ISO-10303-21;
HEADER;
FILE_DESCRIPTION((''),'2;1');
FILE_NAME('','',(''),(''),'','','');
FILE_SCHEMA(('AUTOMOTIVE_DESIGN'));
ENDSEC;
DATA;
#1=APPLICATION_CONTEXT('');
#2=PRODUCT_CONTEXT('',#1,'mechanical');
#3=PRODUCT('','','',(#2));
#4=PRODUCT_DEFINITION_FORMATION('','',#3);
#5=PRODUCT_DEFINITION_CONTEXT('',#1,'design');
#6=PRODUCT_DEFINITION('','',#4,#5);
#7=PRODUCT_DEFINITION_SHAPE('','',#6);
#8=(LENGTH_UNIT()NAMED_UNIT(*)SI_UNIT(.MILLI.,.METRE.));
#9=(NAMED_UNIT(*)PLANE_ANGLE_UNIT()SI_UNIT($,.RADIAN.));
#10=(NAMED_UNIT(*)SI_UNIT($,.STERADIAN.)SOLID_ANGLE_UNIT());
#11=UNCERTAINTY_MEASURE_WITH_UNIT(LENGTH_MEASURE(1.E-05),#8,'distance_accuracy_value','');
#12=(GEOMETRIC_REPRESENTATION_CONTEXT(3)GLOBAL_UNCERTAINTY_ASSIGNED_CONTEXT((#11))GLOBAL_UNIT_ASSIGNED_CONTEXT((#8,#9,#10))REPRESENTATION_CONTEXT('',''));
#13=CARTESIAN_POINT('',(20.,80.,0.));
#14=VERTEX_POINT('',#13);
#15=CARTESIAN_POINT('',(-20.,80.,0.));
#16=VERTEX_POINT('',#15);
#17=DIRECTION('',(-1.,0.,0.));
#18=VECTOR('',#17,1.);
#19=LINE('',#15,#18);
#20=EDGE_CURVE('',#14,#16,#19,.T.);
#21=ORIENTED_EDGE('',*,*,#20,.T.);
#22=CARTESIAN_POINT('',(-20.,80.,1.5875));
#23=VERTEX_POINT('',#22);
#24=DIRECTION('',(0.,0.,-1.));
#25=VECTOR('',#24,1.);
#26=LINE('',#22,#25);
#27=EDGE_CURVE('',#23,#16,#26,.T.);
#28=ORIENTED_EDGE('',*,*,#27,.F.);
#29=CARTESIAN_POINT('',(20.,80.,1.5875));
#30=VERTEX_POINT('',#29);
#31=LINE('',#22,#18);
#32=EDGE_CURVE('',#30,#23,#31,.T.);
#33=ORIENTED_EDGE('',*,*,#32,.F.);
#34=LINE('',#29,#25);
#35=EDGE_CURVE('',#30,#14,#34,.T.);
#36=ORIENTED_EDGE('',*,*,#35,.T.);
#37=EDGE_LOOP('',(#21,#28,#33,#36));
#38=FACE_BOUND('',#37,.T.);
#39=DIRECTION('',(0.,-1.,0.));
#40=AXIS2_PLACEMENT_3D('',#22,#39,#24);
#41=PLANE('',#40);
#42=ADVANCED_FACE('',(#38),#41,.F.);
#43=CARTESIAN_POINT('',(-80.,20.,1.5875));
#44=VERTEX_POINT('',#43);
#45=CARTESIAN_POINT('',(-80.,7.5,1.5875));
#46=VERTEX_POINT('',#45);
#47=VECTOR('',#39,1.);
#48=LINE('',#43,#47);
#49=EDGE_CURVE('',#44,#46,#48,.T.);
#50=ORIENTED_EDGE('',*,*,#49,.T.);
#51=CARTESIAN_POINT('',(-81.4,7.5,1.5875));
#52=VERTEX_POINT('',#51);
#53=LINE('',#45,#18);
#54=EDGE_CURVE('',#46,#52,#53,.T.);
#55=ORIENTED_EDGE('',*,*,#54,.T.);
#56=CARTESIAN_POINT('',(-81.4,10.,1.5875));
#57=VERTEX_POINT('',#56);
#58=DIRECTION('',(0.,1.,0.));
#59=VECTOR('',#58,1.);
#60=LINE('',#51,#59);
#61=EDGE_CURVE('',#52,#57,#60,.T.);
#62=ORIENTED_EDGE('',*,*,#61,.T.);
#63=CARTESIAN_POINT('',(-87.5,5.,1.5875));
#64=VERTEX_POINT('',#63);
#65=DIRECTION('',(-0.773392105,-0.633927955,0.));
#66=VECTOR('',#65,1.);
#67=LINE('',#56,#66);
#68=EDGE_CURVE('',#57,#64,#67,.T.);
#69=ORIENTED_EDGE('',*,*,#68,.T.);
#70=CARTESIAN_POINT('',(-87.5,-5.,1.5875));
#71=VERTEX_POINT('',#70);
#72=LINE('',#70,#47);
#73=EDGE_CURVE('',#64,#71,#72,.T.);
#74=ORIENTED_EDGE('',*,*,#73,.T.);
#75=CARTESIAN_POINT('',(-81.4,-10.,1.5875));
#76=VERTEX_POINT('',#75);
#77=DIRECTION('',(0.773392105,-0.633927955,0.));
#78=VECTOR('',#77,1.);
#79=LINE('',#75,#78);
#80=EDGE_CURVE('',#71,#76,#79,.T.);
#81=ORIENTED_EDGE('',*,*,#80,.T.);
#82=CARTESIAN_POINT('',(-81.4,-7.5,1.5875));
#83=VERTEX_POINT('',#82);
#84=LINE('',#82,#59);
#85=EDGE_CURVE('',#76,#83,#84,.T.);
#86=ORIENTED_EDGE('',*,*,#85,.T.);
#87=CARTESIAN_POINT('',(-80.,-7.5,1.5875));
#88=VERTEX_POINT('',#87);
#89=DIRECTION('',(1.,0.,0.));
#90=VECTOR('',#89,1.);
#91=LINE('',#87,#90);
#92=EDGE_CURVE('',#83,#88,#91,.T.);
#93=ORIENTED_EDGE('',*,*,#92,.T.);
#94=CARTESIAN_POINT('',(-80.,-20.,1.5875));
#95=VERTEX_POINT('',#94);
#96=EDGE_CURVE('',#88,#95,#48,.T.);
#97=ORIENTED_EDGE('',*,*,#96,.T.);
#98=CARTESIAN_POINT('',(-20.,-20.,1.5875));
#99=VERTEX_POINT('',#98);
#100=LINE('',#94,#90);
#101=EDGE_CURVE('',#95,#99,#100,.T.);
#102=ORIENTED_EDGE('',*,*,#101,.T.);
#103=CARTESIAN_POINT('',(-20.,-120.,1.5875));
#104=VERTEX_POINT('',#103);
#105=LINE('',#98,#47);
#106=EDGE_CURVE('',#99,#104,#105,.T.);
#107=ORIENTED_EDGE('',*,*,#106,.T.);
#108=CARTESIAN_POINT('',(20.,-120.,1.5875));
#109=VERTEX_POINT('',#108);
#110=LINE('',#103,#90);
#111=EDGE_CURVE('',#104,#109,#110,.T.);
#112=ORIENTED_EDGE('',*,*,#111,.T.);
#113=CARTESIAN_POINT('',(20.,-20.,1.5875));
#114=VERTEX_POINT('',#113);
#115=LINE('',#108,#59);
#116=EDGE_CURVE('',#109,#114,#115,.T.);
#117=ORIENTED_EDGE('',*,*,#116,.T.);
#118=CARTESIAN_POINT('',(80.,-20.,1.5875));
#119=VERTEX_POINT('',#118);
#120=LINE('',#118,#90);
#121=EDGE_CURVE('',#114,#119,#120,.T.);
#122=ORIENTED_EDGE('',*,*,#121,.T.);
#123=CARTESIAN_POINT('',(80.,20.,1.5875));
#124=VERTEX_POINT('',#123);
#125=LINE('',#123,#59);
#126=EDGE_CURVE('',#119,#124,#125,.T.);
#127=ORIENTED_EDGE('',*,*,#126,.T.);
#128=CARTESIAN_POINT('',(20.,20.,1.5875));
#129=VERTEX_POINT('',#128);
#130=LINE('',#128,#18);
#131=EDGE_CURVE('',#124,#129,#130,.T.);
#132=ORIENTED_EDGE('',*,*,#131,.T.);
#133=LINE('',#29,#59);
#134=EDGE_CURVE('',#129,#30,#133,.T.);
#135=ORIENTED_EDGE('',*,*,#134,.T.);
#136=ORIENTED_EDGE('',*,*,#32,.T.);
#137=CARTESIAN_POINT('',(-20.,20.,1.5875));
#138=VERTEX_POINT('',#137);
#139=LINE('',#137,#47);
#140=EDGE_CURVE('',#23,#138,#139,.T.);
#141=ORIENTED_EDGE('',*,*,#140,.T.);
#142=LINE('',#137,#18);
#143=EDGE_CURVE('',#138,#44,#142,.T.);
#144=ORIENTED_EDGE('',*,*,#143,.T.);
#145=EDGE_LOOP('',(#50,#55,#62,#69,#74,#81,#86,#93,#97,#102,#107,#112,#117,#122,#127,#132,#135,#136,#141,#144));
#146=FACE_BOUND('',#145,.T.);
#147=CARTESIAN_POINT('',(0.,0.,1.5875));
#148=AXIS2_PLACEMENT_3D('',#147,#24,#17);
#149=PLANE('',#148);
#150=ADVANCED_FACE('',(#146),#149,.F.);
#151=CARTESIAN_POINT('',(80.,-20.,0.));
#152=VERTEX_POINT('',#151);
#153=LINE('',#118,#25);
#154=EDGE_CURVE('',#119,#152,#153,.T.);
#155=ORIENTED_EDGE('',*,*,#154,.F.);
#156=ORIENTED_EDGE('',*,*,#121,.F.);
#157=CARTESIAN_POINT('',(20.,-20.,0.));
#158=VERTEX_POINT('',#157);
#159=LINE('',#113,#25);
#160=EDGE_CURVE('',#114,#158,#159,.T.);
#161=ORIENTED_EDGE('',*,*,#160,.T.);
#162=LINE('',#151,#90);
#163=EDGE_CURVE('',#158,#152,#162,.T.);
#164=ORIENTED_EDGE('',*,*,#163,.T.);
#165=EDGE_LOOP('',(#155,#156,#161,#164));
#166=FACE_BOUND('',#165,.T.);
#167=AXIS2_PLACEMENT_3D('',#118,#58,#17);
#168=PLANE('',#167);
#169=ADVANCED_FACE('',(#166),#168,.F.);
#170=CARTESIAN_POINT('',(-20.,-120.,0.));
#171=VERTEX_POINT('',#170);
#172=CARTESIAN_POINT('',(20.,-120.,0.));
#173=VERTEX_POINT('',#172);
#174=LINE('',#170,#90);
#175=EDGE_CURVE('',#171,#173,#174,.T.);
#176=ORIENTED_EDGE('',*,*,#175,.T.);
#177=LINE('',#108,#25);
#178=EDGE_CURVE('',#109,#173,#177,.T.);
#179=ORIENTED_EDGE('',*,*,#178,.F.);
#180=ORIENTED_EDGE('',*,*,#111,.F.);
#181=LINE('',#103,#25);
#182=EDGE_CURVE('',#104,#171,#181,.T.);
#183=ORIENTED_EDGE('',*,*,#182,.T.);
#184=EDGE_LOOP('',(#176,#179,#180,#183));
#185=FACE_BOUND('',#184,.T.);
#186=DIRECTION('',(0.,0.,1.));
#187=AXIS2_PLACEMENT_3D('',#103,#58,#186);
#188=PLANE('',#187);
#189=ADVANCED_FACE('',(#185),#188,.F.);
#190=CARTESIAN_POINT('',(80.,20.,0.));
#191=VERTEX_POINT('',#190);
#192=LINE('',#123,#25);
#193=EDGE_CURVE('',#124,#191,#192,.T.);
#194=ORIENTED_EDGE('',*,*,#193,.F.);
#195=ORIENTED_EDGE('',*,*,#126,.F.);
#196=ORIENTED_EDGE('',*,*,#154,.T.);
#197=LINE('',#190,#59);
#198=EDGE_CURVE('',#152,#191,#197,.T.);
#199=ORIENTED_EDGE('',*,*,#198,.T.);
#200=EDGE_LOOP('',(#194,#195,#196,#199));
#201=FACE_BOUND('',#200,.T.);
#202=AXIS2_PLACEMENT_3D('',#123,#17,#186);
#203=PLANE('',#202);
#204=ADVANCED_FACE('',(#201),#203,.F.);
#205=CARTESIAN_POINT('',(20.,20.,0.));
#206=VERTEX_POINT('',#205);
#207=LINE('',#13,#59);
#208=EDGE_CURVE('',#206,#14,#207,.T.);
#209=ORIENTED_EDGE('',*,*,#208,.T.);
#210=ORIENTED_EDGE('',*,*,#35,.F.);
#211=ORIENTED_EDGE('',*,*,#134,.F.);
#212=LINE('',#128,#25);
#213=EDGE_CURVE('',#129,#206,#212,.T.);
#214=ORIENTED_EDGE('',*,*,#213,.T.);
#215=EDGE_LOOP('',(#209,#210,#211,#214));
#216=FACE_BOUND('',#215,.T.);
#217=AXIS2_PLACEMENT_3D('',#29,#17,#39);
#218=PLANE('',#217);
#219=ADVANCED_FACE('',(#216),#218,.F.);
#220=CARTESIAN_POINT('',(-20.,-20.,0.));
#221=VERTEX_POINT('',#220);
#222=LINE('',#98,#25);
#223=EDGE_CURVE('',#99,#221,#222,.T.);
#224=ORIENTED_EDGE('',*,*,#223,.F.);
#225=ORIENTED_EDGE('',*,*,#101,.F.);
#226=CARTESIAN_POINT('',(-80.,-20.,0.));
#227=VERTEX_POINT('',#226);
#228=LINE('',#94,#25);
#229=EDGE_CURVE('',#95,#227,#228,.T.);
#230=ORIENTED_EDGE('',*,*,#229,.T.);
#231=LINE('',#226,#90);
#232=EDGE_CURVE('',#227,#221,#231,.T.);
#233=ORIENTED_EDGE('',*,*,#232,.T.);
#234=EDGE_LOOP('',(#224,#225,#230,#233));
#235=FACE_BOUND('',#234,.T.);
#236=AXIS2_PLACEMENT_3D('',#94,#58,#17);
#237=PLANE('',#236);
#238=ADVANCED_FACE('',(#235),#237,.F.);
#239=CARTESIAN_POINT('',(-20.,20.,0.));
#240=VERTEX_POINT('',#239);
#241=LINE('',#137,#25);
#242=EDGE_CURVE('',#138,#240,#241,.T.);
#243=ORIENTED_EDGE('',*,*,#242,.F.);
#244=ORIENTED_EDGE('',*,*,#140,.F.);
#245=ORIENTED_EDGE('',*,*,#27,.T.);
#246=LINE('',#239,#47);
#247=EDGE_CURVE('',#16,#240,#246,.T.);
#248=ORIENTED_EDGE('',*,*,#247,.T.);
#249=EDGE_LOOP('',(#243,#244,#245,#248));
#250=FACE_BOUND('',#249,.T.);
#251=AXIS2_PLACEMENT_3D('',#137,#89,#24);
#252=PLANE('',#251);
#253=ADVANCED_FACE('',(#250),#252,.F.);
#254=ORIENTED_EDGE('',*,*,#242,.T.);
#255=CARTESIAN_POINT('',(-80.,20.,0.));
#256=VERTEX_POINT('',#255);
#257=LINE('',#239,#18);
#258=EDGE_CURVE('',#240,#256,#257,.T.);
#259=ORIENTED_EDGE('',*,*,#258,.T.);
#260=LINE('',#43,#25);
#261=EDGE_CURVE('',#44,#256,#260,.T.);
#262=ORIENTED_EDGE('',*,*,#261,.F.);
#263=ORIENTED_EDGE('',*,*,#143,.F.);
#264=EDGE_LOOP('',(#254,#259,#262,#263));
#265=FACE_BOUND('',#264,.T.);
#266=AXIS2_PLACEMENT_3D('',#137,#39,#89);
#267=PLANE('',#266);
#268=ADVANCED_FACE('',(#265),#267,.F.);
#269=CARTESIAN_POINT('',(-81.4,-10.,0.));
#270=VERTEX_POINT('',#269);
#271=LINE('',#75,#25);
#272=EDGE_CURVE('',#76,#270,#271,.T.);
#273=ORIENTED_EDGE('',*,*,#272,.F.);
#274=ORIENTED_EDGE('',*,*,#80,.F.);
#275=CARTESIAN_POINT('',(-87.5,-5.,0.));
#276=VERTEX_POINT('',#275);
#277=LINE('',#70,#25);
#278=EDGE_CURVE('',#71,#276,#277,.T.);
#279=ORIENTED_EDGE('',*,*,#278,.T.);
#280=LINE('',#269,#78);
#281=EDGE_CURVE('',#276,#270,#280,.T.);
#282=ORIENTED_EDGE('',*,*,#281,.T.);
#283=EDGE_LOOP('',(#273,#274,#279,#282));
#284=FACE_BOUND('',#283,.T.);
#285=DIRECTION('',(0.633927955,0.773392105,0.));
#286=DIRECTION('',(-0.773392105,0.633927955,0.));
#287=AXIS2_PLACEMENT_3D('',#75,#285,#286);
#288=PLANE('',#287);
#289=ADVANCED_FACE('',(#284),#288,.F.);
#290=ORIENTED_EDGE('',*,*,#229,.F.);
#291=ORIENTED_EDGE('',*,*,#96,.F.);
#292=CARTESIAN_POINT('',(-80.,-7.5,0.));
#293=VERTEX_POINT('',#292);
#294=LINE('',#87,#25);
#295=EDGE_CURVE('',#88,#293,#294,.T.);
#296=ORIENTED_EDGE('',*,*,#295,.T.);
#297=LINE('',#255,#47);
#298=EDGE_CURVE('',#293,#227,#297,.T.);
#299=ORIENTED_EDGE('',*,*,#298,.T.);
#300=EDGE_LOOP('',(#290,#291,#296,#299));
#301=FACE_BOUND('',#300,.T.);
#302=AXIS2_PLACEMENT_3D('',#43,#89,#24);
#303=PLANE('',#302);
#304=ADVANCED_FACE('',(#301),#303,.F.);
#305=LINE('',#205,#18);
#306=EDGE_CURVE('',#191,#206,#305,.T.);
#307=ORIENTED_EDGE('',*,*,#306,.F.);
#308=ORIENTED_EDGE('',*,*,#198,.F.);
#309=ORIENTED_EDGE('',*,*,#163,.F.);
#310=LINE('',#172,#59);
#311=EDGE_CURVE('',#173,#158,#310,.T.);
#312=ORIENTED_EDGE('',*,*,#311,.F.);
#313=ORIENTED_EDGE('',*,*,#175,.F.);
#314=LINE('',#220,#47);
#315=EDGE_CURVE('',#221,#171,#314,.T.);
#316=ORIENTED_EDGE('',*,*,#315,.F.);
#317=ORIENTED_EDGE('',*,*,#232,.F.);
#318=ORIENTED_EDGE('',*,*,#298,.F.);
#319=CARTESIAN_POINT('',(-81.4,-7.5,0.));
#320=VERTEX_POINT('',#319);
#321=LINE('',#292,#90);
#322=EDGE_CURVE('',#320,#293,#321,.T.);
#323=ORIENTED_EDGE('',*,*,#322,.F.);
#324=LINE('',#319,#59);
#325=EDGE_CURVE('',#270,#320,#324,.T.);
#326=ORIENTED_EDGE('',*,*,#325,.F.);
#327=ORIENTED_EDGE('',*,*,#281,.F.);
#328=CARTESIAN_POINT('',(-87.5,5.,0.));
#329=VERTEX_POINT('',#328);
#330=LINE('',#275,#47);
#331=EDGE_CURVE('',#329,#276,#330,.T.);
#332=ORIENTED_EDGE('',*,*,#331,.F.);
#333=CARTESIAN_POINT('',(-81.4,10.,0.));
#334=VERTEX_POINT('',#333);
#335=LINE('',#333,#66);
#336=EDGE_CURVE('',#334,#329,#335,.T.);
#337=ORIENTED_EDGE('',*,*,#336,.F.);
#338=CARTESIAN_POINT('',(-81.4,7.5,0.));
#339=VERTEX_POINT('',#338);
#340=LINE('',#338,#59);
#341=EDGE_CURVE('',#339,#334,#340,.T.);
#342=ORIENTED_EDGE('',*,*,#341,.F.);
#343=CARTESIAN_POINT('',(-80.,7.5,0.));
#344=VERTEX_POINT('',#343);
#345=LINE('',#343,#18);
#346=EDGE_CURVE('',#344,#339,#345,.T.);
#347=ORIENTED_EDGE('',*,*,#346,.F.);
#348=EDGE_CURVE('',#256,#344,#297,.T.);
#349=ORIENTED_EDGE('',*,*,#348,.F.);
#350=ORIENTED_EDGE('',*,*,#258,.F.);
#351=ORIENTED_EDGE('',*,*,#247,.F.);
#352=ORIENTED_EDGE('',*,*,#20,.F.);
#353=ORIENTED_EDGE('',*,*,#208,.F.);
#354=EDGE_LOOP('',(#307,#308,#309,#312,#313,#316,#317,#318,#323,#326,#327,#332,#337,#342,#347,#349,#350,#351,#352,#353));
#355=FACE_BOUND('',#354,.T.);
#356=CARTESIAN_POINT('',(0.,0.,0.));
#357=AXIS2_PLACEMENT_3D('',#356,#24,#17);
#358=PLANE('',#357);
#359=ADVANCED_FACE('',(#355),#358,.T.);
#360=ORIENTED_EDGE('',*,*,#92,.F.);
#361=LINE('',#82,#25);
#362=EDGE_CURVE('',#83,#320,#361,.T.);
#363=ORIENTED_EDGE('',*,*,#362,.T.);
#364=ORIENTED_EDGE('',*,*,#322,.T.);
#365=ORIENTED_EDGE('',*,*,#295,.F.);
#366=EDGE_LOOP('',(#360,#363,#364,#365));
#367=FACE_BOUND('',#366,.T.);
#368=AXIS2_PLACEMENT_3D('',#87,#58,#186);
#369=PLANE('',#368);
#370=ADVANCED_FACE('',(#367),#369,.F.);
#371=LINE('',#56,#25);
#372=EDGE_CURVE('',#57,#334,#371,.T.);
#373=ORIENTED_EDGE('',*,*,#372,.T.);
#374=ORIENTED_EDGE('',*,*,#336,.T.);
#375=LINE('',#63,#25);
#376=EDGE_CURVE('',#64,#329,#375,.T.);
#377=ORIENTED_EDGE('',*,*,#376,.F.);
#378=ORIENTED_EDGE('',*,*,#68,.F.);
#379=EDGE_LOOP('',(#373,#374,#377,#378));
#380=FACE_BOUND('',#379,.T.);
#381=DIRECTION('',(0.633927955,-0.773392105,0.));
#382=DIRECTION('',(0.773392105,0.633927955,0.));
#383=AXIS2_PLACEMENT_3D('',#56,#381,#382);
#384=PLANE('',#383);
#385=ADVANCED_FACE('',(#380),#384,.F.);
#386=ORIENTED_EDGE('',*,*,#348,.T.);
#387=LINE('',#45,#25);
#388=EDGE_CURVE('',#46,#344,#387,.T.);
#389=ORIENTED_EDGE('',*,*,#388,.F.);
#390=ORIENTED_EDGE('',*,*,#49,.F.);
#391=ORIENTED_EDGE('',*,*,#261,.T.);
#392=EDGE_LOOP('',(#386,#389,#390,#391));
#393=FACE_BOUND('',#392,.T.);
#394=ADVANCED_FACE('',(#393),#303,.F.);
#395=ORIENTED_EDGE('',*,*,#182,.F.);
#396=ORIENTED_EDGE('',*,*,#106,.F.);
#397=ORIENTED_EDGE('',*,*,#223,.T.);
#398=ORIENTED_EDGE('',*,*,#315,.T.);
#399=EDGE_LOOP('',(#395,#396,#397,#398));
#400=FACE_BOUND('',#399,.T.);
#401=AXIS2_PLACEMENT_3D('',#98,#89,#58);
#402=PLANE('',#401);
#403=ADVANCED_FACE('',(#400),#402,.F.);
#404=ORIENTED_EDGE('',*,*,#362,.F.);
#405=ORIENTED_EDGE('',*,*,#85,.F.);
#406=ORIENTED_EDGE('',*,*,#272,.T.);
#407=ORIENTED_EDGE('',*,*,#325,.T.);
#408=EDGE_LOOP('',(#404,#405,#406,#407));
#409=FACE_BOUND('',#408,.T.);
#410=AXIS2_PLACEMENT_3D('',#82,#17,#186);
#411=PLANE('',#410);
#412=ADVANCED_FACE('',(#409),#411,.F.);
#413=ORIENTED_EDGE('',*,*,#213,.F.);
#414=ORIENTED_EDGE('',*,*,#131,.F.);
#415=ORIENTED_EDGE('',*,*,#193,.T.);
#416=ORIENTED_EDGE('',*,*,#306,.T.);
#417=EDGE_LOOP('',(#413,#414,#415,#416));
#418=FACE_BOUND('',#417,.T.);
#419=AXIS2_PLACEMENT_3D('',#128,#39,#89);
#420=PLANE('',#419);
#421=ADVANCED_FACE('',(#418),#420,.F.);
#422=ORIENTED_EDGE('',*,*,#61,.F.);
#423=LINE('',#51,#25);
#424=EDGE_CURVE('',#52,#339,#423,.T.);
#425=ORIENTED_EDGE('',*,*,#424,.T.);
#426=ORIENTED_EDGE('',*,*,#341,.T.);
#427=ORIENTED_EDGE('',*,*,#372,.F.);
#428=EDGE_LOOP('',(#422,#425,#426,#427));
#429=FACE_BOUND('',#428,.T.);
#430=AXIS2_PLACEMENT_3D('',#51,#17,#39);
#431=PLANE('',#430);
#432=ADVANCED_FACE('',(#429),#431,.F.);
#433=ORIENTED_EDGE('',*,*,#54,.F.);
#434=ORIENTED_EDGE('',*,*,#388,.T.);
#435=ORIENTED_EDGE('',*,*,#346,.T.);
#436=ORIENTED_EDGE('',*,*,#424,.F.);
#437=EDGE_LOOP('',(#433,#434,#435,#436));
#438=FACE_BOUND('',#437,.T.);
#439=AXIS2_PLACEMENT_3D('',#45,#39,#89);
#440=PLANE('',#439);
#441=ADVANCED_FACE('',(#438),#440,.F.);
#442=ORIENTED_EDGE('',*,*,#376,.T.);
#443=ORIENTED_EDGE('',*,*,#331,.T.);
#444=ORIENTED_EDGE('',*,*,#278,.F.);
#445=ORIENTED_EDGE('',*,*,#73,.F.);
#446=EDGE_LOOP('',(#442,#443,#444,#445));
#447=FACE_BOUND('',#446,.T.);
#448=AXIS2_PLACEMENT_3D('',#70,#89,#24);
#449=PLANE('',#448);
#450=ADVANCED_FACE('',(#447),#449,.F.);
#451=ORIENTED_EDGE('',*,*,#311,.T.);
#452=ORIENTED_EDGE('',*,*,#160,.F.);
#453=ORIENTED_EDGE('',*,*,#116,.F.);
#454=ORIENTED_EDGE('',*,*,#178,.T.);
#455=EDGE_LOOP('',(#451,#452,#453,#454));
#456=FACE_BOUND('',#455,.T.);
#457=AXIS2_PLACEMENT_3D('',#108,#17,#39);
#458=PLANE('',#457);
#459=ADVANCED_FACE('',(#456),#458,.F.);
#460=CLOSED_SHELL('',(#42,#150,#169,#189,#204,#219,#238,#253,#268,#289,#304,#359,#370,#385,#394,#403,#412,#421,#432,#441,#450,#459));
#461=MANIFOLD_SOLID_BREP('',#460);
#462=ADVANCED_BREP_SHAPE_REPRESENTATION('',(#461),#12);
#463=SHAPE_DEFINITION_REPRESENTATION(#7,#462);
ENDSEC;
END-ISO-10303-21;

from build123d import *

# Parameters (mm, degrees)
BOSS_EXTRUDE1_DEPTH = 1.5875
BOSS_EXTRUDE2_DEPTH = 1.5875


with BuildPart() as part:
    # Sketch1 → Boss-Extrude1 (new body)
    with BuildSketch(Plane.XY):
        Polygon((-20, 20), (-20, 80), (20, 80), (20, 20), (80, 20), (80, -20), (20, -20), (20, -120), (-20, -120), (-20, -20), (-80, -20), (-80, 20), align=None)
    extrude(amount=BOSS_EXTRUDE1_DEPTH)

    # Sketch13 → Boss-Extrude2 (add)
    with BuildSketch(Plane.XY):
        Polygon((-80, 7.5), (-80, -7.5), (-81.4, -7.5), (-81.4, -10), (-87.5, -5), (-87.5, 5), (-81.4, 10), (-81.4, 7.5), align=None)
    extrude(amount=BOSS_EXTRUDE2_DEPTH)


solid = part.part
